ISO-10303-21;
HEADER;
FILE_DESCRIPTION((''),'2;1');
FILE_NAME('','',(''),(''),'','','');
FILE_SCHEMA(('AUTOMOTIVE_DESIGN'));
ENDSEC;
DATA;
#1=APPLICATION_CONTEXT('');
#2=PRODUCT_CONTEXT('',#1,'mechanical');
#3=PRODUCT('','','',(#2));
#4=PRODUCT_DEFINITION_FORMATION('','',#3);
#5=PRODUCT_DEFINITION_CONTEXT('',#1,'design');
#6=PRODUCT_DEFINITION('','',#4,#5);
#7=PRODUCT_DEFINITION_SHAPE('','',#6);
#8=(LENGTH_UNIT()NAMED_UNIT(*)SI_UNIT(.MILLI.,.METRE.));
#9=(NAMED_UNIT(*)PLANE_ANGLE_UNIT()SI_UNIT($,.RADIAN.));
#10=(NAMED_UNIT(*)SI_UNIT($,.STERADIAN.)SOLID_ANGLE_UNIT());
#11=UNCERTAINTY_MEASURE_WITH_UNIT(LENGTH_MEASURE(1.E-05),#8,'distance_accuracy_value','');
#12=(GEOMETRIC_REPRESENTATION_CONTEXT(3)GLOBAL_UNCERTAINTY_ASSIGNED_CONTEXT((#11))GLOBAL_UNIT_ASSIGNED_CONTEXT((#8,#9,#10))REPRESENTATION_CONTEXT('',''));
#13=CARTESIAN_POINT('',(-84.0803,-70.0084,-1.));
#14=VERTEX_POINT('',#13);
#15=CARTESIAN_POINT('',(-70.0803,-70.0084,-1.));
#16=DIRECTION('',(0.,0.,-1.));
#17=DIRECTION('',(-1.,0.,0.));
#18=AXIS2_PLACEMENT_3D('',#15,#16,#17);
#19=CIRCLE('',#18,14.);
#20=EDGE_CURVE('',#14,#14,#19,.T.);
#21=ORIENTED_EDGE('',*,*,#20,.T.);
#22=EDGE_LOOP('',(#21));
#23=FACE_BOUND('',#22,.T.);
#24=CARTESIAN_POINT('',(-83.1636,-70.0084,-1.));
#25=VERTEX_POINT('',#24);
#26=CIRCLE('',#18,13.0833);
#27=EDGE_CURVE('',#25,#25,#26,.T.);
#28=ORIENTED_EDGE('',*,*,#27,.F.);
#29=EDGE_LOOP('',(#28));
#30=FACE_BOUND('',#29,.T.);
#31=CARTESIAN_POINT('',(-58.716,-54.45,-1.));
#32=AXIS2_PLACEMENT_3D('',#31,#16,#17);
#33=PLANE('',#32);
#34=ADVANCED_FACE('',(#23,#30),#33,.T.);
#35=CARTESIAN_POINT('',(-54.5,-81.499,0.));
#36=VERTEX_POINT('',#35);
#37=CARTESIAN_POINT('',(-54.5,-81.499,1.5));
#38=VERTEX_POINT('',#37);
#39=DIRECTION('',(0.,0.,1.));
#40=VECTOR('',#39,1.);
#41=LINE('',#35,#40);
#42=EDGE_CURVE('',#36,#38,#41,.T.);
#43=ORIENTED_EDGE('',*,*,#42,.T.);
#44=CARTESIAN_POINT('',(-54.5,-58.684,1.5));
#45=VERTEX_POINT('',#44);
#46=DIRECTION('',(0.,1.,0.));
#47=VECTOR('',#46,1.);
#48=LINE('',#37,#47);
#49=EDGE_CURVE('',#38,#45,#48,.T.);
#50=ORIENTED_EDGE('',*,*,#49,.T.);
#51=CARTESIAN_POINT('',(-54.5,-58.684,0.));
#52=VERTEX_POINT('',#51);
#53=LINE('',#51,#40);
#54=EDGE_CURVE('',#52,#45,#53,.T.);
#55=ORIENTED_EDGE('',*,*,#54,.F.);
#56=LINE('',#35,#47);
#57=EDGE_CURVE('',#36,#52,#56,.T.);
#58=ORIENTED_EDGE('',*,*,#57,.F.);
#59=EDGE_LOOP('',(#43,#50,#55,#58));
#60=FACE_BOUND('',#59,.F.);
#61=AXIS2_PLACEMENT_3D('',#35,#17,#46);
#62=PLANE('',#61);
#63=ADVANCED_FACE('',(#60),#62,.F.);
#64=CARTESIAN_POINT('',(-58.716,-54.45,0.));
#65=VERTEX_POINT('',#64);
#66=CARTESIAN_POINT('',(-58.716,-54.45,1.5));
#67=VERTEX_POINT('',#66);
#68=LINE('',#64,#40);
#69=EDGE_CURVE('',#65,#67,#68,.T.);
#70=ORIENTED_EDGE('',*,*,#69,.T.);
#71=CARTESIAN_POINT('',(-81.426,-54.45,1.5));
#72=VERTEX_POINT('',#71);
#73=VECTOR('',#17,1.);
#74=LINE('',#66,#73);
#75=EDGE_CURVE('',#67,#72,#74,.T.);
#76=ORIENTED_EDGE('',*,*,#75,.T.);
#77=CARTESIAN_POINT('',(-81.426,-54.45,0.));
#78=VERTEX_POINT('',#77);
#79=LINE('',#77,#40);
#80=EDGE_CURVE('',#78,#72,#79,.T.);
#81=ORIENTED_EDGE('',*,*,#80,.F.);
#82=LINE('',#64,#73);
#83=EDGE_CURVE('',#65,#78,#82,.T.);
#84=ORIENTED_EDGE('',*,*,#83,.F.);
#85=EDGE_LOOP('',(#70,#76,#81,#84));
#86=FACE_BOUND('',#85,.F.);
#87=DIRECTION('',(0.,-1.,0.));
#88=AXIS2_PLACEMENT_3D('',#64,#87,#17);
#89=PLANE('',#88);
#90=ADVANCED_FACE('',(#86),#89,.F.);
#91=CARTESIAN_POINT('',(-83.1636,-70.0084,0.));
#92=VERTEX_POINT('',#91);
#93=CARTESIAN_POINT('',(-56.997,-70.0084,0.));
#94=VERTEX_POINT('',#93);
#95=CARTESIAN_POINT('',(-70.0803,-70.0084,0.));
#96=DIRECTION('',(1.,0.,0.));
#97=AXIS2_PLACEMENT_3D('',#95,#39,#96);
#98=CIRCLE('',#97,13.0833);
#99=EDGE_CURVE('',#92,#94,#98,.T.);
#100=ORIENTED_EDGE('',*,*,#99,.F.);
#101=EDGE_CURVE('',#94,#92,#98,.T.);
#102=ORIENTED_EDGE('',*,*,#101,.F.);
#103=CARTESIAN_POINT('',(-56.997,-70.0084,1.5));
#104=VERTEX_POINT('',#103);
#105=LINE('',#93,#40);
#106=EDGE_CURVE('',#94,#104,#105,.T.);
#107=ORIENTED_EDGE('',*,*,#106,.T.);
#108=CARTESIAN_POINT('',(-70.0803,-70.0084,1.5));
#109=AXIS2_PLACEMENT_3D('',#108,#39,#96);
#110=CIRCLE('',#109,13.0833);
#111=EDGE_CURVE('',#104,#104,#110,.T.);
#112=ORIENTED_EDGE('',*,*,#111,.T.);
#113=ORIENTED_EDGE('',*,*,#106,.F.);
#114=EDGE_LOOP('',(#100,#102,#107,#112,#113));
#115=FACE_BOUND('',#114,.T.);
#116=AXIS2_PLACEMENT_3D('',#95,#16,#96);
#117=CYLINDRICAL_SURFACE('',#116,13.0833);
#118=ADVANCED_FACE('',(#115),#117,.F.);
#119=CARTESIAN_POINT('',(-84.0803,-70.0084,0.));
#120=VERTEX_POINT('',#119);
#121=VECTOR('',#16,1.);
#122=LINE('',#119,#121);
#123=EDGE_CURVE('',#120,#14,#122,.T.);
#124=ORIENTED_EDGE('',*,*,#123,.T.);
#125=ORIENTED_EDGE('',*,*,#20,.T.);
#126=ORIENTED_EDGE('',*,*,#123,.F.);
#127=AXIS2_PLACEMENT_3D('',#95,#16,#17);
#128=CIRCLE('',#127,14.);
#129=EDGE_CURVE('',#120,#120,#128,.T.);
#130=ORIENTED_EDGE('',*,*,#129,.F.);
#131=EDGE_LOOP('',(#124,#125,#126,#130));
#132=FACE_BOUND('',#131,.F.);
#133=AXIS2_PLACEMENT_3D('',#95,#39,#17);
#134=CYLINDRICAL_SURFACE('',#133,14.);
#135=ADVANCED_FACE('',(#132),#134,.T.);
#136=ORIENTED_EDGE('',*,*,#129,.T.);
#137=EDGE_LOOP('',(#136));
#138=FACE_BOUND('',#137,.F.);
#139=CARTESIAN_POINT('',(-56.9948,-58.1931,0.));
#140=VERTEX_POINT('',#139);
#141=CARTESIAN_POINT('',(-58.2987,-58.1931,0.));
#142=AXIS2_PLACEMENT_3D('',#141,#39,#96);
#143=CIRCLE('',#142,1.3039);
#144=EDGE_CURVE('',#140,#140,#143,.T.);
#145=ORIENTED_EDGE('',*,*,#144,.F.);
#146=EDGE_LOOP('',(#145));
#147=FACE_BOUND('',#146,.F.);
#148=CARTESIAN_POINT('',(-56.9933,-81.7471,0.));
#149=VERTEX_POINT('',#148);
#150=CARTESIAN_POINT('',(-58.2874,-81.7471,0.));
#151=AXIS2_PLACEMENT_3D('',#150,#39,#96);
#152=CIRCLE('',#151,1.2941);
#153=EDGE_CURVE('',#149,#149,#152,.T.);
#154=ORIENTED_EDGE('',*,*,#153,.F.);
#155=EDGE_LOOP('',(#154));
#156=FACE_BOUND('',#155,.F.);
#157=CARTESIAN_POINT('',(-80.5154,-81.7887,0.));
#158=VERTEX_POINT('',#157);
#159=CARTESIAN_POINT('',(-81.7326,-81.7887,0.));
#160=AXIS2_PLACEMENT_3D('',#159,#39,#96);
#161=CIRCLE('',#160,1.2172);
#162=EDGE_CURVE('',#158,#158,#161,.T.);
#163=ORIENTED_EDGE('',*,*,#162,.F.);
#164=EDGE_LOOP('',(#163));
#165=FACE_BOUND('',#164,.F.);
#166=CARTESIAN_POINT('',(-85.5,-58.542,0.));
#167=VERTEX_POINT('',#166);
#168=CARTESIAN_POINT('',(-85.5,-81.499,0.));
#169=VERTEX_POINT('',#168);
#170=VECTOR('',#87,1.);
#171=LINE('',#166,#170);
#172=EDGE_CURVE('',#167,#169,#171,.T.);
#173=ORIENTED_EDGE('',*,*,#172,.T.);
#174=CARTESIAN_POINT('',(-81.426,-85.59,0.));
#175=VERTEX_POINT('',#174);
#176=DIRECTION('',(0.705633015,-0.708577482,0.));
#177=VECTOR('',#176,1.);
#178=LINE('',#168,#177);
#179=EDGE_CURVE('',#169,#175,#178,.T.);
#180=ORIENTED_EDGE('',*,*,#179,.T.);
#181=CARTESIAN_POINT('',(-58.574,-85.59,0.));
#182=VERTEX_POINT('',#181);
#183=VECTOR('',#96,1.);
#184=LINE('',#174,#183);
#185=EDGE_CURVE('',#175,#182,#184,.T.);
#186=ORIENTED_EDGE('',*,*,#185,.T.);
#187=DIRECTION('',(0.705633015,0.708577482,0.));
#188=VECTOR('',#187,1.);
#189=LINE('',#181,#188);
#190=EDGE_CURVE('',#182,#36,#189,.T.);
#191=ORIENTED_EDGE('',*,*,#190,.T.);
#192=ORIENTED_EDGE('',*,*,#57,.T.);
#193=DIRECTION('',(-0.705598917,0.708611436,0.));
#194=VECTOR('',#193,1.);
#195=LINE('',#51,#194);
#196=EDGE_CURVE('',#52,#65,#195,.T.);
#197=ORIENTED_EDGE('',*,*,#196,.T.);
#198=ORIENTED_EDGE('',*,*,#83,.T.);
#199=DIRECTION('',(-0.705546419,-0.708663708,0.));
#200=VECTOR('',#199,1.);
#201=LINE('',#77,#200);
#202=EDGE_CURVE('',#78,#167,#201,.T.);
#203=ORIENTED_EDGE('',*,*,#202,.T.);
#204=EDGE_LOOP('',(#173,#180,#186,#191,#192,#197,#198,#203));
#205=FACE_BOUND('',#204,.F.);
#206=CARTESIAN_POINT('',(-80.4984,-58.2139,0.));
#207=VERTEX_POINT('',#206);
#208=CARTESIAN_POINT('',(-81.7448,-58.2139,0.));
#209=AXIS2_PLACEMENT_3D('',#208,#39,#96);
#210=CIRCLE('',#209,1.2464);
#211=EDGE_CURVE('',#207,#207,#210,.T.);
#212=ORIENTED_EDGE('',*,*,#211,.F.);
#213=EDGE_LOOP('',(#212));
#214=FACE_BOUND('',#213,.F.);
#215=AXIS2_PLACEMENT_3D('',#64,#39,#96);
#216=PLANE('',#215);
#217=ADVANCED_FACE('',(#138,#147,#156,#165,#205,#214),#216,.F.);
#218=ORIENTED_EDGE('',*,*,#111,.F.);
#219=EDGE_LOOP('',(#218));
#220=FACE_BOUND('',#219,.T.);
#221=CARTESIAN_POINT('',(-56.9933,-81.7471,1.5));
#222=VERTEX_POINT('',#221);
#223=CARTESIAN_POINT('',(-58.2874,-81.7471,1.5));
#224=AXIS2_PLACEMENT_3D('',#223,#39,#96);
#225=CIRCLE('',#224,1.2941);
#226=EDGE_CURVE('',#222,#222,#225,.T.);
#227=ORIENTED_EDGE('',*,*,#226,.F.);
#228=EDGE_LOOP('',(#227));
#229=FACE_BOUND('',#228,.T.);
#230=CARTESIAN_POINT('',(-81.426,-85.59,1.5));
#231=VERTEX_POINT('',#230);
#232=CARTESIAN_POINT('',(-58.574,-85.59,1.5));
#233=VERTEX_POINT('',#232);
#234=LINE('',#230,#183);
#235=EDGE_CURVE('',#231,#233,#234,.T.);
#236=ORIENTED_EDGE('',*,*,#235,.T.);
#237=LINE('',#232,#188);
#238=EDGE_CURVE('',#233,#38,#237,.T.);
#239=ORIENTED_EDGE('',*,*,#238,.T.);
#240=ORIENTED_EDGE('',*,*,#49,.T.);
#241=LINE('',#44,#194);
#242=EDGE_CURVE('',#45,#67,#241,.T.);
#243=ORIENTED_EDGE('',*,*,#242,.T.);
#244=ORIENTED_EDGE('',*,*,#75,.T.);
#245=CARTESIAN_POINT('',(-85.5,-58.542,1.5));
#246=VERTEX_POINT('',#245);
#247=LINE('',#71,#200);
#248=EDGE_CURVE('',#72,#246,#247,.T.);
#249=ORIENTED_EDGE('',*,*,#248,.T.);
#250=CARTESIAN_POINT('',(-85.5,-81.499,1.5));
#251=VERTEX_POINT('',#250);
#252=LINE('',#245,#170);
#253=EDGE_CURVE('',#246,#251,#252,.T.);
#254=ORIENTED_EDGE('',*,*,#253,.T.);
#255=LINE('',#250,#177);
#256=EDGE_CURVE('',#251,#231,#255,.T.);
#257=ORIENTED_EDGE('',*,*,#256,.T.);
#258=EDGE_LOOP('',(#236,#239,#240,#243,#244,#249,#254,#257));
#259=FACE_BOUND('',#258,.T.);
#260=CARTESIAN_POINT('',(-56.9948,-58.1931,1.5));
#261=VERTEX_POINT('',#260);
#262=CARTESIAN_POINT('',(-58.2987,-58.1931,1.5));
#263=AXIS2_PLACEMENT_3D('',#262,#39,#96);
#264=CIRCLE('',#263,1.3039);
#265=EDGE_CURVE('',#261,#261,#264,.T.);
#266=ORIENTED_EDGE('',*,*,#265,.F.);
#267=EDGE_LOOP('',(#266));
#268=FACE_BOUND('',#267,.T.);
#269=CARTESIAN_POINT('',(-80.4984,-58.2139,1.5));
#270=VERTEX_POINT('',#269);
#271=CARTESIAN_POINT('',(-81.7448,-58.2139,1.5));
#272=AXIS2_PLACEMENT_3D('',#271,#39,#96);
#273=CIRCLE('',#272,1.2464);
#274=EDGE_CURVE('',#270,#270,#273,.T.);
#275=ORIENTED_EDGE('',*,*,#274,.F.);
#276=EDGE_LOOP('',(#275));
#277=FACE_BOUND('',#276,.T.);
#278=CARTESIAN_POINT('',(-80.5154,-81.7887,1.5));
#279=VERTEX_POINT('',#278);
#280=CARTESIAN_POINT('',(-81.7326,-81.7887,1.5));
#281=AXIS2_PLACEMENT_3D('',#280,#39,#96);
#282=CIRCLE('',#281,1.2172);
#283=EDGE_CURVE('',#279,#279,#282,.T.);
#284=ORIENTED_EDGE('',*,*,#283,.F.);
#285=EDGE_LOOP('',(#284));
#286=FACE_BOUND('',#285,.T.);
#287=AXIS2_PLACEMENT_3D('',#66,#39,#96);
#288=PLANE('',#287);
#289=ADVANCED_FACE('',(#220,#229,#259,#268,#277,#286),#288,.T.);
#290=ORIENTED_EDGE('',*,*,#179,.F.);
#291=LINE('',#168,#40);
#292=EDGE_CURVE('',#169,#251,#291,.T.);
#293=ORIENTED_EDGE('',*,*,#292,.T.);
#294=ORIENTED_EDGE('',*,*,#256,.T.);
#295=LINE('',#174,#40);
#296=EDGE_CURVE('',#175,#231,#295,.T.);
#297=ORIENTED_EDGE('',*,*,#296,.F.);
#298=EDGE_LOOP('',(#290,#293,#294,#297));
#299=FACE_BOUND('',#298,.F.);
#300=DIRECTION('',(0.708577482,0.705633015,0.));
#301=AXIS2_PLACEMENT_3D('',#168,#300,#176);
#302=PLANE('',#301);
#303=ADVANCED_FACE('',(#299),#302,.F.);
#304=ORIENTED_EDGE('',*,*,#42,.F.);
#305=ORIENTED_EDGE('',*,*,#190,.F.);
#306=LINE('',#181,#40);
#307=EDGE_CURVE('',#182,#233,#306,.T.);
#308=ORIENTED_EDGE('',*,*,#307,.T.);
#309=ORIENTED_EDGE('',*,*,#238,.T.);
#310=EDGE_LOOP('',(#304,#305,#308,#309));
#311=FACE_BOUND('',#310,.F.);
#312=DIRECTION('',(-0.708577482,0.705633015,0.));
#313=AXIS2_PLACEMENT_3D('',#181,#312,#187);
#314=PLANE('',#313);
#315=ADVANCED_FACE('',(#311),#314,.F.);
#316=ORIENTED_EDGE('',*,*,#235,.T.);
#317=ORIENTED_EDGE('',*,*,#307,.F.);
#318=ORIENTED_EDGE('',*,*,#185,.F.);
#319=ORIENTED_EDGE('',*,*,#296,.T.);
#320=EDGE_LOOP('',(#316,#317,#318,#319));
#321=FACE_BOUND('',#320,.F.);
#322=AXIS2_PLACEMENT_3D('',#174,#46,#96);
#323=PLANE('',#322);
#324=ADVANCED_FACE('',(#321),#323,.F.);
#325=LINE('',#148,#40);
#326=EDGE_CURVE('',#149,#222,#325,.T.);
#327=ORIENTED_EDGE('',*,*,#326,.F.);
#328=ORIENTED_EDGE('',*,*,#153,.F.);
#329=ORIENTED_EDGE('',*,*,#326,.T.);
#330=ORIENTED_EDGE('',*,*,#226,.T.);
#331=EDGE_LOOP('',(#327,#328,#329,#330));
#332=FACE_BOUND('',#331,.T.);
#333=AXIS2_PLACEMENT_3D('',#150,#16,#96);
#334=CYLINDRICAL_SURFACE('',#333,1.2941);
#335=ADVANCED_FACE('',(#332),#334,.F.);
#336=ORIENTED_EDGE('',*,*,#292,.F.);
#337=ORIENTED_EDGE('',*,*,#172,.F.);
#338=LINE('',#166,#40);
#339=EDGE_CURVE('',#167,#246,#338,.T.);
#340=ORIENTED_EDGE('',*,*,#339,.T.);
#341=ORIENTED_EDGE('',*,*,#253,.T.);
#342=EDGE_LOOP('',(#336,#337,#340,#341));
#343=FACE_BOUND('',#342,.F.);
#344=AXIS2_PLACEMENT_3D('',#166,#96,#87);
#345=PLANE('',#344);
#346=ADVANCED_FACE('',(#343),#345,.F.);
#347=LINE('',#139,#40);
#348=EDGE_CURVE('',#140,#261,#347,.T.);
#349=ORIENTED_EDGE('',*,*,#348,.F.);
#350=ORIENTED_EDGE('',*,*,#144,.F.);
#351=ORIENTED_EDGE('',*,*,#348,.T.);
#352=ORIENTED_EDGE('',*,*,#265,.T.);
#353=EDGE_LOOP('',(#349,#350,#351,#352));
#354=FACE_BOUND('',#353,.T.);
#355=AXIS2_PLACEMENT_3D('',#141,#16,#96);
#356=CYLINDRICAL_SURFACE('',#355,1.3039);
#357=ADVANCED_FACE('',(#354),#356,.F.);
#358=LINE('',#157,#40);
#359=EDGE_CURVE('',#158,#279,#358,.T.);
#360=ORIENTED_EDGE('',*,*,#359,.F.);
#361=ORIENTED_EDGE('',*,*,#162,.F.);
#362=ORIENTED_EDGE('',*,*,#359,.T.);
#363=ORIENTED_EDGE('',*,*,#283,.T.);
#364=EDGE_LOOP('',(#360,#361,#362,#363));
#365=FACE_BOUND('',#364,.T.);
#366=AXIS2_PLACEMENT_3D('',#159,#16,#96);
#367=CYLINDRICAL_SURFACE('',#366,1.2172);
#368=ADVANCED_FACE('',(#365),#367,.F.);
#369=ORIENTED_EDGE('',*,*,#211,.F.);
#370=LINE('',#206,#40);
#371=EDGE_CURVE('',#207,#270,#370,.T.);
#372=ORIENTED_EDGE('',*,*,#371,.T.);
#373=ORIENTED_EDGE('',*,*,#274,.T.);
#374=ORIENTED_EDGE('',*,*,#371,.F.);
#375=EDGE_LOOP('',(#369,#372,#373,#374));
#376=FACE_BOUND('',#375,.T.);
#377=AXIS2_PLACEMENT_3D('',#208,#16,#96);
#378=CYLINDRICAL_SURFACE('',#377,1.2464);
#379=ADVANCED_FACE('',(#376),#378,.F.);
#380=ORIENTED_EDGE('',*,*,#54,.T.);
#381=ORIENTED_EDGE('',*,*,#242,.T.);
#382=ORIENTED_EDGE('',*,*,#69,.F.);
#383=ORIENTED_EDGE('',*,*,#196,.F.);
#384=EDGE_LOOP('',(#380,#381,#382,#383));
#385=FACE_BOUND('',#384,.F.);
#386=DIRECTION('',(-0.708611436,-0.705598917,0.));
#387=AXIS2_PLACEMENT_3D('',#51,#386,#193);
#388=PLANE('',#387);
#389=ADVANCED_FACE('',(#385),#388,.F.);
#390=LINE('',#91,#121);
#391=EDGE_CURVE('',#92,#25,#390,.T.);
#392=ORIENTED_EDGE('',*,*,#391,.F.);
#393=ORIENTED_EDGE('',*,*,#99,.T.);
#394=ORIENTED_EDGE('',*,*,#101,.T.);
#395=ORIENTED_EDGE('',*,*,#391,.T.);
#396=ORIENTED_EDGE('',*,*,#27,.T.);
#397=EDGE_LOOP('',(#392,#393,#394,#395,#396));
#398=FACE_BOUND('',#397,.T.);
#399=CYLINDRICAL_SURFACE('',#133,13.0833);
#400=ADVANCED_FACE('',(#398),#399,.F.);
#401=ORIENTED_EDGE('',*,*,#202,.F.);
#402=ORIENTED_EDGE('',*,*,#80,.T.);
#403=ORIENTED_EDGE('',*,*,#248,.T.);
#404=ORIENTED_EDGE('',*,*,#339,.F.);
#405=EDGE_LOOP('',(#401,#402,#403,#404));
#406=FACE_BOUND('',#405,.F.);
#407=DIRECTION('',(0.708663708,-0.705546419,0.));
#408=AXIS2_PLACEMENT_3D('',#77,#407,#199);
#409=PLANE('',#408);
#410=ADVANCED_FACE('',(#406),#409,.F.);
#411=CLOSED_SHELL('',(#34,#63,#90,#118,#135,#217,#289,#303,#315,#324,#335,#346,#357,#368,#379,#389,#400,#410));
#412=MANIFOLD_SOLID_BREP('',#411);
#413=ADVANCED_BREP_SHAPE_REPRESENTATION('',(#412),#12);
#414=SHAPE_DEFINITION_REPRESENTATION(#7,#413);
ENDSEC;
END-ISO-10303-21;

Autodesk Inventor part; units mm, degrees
ref_plane "YZ Plane" through (0, 0, 0) normal (1, 0, 0) x (0, 1, 0)
ref_plane "XZ Plane" through (0, 0, 0) normal (0, 1, 0) x (-1, 0, 0)
ref_plane "XY Plane" through (0, 0, 0) normal (0, 0, 1) x (1, 0, 0)
ref_plane "Arbeitsebene1" through (-58.716, -54.45, 1.8) normal (0, 0, 1) x (1, 0, 0)
sketch "Skizze1" plane through (-58.716, -54.45, 0) normal (0, 0, 1) x (1, 0, 0)
  circle A0 centre (-11.3643, -15.5584) radius 13.0833
  line L0 (4.216, -27.049) -> (4.216, -4.234)
  line L1 (4.216, -4.234) -> (0, 0)
  line L2 (0, 0) -> (-22.71, 0)
  line L3 (-22.71, 0) -> (-26.784, -4.092)
  line L4 (-26.784, -4.092) -> (-26.784, -27.049)
  line L5 (-26.784, -27.049) -> (-22.71, -31.14)
  line L6 (-22.71, -31.14) -> (0.142, -31.14)
  line L7 (0.142, -31.14) -> (4.216, -27.049)
  circle A1 centre (0.4286, -27.2971) radius 1.2941
  circle A2 centre (0.4173, -3.7431) radius 1.3039
  circle A3 centre (-23.0288, -3.7639) radius 1.2464
  circle A4 centre (-23.0166, -27.3387) radius 1.2172
  point P0 (58.716, 54.45)
extrude "Extrusion1" add sketch "Skizze1" along normal blind 1.5
sketch "Skizze2" plane through (-58.716, -54.45, 0) normal (0, 0, -1) x (-1, 0, 0)
  circle A0 centre (11.3643, -15.5584) radius 13.0833 projected
  circle A1 centre (11.3643, -15.5584) radius 14
  point P0 (-58.716, 54.45)
  dimension "d2" = 28
extrude "Extrusion2" add sketch "Skizze2" along normal blind 1
properties part number "Pump_Lid"
